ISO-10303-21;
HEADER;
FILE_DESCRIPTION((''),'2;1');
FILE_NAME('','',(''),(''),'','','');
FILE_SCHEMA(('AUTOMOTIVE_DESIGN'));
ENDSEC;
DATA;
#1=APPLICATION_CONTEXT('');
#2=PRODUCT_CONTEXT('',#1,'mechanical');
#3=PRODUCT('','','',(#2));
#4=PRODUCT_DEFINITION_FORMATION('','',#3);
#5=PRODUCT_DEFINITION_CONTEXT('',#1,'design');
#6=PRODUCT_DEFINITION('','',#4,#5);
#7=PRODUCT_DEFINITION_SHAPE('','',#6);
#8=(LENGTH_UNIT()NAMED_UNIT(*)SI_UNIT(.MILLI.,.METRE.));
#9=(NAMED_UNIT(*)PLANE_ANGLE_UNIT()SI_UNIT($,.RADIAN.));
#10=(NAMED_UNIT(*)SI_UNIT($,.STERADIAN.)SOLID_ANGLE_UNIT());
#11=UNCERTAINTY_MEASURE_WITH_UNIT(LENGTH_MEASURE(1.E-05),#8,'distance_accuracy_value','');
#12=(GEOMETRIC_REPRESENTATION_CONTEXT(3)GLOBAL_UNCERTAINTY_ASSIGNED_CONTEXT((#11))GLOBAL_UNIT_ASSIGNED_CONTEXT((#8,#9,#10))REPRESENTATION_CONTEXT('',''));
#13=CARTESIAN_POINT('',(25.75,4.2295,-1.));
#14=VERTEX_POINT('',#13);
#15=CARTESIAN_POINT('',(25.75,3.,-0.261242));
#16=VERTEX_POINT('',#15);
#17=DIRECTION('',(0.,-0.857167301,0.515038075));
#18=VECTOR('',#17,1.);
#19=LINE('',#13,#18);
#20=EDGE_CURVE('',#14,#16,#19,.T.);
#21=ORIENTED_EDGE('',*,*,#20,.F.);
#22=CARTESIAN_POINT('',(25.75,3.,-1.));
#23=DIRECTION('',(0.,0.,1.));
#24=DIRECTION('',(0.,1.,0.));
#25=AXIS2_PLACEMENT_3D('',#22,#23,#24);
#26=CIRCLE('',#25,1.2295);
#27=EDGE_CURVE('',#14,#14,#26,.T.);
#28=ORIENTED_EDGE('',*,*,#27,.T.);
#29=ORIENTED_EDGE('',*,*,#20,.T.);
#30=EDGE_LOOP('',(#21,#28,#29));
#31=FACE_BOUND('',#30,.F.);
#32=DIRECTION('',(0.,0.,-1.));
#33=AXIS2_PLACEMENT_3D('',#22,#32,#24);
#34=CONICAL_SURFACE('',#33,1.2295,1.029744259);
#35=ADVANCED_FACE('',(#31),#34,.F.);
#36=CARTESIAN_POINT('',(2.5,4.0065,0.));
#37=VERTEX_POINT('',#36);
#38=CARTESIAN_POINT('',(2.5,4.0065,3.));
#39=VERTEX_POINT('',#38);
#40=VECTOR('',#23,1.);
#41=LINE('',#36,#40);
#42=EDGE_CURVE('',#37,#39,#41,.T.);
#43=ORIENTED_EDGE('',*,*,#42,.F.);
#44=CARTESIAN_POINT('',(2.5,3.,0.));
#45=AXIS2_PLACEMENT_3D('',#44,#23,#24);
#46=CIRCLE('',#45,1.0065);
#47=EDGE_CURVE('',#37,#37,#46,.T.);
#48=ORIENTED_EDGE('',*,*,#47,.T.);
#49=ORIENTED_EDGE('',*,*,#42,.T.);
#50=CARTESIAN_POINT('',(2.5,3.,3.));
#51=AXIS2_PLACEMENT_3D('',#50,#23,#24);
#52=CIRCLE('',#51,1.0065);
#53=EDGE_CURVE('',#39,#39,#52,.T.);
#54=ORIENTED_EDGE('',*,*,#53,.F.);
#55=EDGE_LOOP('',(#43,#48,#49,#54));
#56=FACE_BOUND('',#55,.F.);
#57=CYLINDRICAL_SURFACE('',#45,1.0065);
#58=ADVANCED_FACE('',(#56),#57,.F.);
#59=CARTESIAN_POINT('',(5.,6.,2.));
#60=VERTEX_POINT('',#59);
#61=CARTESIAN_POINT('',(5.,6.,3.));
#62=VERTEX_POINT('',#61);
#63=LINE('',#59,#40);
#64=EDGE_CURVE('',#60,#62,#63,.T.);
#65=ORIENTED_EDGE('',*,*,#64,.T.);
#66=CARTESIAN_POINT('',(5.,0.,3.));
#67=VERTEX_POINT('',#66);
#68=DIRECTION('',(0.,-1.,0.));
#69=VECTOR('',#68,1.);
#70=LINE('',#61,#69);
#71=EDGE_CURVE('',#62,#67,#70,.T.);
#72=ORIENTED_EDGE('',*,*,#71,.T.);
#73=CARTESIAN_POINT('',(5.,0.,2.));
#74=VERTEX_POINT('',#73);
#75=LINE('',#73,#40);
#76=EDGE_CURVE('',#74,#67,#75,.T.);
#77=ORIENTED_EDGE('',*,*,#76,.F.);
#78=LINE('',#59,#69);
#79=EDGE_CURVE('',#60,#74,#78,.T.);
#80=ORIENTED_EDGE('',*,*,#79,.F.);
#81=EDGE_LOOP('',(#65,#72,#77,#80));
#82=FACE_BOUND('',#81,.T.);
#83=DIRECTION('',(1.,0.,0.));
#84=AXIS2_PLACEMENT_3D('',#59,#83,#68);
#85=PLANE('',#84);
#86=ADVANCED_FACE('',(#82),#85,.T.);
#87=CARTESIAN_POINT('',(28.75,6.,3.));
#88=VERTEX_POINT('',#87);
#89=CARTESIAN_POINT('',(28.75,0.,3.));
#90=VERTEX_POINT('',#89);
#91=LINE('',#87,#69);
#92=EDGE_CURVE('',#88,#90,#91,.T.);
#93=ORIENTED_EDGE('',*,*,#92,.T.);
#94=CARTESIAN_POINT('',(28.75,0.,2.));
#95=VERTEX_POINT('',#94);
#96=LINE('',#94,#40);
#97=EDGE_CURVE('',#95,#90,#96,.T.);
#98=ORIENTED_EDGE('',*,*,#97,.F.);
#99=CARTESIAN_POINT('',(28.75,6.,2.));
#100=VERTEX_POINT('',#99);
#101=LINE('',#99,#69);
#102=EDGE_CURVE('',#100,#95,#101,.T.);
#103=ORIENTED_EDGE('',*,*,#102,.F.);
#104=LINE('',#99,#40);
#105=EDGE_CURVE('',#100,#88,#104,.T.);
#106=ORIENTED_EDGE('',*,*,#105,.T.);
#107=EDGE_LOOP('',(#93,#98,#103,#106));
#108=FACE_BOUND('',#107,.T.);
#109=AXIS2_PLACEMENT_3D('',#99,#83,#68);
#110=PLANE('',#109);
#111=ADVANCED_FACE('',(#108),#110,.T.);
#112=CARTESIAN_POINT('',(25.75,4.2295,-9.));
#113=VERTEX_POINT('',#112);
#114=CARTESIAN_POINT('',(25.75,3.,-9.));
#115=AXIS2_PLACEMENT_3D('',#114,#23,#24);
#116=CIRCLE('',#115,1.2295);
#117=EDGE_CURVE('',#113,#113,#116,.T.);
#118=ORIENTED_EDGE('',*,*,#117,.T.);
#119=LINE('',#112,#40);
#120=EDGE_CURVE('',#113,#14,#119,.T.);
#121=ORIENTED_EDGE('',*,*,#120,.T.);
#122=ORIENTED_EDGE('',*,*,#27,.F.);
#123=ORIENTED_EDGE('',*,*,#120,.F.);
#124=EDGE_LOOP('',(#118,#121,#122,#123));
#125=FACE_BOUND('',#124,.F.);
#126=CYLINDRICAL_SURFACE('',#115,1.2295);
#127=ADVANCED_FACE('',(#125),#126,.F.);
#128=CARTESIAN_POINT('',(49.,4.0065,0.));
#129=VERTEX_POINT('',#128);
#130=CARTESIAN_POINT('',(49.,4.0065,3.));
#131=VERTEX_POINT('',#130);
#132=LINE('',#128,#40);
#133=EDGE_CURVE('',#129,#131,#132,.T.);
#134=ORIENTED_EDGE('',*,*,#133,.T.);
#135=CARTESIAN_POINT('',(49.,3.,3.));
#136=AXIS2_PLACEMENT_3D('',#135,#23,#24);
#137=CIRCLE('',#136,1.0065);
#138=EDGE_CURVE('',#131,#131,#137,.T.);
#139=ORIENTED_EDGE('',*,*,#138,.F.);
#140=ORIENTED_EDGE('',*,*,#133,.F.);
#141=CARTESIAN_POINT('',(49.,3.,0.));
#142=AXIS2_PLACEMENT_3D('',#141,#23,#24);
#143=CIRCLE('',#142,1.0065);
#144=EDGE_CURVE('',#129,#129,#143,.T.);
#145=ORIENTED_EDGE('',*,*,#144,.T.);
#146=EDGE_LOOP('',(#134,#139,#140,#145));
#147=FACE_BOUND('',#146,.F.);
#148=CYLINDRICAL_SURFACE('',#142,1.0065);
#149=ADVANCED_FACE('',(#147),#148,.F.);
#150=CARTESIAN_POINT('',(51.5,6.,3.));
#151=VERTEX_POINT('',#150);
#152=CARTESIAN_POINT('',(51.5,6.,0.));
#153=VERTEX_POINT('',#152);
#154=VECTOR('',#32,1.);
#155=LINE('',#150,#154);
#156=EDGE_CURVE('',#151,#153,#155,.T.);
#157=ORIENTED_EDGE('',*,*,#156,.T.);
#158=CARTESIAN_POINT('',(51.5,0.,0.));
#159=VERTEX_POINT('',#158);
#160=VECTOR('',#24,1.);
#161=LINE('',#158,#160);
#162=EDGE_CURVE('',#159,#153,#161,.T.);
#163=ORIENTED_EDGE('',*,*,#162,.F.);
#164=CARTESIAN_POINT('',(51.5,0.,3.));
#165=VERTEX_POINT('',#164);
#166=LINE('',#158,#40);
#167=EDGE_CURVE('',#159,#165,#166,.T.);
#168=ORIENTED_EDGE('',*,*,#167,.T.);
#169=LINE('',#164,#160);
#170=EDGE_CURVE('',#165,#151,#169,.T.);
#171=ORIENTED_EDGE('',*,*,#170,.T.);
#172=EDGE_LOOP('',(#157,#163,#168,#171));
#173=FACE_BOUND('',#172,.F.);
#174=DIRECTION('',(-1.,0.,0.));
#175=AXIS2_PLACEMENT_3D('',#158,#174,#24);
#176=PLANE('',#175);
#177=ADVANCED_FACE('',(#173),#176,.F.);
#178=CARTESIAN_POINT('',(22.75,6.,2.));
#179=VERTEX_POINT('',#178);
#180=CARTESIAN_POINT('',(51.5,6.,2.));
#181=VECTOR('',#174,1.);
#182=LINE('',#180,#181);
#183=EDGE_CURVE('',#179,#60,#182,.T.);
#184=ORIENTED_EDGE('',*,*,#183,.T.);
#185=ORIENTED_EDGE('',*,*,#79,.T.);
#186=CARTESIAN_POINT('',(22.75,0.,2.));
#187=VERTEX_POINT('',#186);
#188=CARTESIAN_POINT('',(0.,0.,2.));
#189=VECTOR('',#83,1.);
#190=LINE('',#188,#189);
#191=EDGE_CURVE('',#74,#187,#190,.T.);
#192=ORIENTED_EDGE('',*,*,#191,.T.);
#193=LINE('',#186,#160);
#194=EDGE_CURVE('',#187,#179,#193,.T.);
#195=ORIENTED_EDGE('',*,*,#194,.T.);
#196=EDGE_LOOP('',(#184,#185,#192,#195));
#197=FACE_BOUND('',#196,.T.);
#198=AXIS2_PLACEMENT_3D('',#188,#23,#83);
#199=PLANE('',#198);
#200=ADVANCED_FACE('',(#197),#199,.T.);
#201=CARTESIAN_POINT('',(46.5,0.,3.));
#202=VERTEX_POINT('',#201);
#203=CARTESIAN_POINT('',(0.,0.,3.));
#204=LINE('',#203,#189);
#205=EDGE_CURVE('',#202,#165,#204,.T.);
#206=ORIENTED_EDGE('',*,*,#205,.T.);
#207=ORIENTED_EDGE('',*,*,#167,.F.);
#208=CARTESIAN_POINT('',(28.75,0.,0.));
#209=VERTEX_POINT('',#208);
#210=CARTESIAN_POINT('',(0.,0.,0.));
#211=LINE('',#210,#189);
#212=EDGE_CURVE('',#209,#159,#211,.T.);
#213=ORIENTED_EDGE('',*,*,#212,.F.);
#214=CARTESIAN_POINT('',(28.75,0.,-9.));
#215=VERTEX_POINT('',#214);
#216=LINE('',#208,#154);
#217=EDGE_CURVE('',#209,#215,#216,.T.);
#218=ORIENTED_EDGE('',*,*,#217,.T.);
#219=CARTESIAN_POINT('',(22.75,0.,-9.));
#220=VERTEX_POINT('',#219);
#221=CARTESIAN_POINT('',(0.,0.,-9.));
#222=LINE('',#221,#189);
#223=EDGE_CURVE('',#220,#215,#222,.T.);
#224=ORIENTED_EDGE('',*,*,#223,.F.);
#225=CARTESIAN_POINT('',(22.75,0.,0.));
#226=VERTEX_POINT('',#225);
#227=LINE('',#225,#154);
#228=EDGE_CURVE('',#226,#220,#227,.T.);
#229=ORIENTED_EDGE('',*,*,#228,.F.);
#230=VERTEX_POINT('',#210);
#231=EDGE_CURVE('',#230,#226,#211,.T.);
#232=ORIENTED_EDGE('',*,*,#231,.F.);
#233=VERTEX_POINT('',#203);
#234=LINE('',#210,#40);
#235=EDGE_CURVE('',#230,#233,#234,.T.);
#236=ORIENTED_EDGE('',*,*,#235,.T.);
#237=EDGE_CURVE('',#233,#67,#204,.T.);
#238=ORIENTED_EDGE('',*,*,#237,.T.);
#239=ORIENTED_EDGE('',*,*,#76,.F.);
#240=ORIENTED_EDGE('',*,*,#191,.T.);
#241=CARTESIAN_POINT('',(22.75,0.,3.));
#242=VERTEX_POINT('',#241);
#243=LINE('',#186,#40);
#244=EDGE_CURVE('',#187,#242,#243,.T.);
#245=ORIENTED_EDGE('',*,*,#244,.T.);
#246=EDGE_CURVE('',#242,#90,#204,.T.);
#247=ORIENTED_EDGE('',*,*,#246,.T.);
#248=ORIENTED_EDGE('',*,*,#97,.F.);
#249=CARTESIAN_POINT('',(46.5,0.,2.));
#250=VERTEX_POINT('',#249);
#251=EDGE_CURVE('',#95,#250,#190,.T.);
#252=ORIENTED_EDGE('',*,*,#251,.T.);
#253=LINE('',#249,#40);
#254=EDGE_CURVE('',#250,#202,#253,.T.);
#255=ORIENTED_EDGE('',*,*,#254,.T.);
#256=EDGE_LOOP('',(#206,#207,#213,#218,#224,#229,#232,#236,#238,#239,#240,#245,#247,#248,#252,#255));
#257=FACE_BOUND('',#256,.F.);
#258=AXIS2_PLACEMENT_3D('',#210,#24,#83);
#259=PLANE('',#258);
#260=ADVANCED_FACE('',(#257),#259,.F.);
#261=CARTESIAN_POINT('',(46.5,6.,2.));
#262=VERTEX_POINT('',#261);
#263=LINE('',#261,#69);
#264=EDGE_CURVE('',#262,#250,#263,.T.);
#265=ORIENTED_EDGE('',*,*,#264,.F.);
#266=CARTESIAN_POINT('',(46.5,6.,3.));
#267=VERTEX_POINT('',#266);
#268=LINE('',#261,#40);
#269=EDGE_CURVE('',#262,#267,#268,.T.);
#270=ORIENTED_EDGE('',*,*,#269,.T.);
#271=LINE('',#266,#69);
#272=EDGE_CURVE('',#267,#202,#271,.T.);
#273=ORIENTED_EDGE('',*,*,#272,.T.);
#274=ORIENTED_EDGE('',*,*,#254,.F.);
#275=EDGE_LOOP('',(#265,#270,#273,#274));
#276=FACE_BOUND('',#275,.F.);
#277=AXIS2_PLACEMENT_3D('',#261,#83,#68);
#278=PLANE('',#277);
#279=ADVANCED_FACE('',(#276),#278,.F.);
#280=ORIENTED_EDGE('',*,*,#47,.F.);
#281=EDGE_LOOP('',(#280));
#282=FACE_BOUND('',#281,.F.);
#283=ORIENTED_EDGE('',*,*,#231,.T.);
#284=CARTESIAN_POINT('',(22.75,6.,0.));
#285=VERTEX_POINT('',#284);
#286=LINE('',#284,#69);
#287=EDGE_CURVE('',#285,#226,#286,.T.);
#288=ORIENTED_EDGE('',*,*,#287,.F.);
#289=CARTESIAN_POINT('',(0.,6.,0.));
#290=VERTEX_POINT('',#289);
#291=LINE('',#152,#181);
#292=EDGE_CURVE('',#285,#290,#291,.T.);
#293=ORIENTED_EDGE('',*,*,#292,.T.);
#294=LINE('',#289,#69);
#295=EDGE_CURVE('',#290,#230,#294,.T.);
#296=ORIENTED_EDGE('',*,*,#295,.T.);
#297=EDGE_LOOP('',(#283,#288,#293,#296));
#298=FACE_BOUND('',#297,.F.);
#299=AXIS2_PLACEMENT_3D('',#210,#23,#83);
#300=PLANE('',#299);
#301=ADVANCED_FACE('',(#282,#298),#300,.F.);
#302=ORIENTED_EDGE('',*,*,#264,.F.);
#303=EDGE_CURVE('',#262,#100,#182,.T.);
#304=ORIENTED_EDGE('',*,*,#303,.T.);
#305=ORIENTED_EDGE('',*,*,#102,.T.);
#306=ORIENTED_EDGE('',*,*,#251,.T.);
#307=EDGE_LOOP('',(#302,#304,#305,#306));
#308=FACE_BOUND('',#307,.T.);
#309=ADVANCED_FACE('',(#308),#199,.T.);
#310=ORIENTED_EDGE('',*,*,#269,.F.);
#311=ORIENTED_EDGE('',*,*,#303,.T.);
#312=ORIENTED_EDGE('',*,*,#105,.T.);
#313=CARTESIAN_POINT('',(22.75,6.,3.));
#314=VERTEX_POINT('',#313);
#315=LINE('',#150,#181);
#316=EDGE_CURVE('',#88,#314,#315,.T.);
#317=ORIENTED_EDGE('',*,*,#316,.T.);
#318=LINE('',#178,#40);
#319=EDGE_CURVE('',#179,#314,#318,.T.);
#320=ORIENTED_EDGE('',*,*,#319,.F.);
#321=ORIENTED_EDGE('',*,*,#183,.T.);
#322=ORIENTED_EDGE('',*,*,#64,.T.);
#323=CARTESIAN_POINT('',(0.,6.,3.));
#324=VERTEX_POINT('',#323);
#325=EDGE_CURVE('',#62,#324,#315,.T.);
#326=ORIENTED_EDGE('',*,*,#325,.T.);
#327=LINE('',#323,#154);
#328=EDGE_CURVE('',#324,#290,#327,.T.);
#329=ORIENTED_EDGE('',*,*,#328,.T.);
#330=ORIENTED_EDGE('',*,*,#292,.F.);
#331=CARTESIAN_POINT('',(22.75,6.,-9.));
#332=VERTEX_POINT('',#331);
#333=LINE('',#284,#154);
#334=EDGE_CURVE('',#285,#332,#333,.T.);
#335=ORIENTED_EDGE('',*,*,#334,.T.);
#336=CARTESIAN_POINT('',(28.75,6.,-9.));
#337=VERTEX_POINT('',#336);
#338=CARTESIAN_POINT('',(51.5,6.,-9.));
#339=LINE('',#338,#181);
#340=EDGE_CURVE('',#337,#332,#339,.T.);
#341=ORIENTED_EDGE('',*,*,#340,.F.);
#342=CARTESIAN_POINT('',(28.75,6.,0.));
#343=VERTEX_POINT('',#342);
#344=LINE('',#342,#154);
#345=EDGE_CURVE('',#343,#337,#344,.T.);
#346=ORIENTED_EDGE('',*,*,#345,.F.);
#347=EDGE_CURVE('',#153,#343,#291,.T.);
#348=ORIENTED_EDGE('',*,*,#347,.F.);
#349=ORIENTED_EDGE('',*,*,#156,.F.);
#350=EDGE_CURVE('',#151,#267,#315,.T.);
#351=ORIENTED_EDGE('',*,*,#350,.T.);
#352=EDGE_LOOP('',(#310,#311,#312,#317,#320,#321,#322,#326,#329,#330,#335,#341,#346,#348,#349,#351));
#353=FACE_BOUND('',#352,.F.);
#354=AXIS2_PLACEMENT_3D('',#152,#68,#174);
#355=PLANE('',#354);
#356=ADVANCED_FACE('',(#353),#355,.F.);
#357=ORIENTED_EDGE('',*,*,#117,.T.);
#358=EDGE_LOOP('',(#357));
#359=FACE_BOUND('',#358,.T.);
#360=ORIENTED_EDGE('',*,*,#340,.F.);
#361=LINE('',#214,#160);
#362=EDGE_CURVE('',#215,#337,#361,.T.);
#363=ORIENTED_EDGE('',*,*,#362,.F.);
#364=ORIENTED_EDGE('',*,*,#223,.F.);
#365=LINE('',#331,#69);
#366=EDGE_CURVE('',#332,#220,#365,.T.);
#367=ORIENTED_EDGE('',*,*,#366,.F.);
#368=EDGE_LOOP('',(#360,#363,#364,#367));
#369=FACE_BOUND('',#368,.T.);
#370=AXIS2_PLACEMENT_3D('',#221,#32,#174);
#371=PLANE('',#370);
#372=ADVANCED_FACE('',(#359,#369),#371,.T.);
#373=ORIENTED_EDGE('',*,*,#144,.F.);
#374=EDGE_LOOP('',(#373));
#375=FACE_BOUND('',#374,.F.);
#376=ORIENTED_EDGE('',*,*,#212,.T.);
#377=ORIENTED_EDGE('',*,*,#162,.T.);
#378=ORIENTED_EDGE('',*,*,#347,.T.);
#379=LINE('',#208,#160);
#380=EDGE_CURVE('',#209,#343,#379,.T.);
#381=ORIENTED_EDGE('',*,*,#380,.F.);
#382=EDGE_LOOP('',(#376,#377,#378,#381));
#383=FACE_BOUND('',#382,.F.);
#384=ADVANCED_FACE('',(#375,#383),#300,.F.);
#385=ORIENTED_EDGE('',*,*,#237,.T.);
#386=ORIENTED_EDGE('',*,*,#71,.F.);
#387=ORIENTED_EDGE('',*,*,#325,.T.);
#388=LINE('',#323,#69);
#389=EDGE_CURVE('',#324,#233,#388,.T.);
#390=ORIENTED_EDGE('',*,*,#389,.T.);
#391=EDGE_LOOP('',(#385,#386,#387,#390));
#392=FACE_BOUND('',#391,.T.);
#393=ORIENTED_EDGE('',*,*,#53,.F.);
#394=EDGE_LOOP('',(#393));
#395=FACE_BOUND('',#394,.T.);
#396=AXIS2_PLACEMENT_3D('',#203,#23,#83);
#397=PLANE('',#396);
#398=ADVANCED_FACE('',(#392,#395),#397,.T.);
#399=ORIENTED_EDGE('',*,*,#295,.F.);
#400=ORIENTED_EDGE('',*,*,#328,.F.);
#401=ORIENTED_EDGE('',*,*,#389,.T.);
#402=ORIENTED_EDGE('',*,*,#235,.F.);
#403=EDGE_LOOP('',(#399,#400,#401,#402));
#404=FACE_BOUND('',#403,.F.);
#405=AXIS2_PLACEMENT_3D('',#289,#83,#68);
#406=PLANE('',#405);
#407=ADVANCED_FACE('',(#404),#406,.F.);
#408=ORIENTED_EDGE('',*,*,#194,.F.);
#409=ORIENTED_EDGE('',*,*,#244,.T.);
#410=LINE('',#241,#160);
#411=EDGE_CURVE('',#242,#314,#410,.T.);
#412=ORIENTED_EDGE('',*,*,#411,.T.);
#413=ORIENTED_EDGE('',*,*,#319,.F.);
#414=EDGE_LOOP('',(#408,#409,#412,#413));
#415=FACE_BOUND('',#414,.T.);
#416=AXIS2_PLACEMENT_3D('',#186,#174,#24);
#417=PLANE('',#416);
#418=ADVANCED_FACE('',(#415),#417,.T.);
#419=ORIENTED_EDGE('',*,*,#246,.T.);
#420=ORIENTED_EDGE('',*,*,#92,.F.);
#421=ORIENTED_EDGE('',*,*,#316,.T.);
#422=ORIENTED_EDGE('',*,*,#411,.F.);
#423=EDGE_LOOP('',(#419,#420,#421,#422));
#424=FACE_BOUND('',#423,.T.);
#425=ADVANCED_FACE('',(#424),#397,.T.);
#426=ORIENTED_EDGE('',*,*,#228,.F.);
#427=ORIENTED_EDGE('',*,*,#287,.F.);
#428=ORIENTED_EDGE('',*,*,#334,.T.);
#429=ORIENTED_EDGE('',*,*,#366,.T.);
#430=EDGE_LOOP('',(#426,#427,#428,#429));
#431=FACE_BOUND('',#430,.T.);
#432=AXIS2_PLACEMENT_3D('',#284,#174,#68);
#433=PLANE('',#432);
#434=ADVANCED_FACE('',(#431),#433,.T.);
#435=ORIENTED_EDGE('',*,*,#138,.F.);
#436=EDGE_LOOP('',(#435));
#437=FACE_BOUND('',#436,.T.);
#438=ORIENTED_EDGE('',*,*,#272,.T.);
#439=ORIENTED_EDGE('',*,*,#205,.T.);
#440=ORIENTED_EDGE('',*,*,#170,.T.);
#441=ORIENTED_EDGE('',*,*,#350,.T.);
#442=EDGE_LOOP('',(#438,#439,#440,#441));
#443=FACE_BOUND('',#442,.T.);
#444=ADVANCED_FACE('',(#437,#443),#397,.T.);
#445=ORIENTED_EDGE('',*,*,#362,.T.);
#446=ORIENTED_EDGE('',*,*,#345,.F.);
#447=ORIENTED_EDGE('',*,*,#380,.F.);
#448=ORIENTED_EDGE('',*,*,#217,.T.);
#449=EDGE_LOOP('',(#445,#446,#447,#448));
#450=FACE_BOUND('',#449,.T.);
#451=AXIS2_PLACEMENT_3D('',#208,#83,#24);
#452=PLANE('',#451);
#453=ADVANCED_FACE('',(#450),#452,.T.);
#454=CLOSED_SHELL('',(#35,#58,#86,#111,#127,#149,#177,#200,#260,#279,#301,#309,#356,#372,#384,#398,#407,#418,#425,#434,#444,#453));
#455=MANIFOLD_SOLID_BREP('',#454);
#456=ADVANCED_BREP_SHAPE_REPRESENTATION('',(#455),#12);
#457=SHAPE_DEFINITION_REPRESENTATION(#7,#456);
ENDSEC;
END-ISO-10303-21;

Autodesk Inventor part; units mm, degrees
ref_plane "YZ Plane" through (0, 0, 0) normal (1, 0, 0) x (0, 1, 0)
ref_plane "XZ Plane" through (0, 0, 0) normal (0, 1, 0) x (-1, 0, 0)
ref_plane "XY Plane" through (0, 0, 0) normal (0, 0, 1) x (1, 0, 0)
sketch "Sketch1" plane through (0, 0, 0) normal (0, 0, 1) x (1, 0, 0)
  line L0 (0, 0) -> (51.5, 0)
  line L1 (51.5, 0) -> (51.5, 6)
  line L2 (51.5, 6) -> (0, 6)
  line L3 (0, 6) -> (0, 0)
  dimension "d0" = 6
  dimension "d1" = 51.5
extrude "Extrusion1" add sketch "Sketch1" along normal blind 2
sketch "Sketch2" plane through (0, 0, 2) normal (0, 0, 1) x (1, 0, 0)
  line L0 (0, 0) -> (51.5, 0) projected
  line L1 (51.5, 0) -> (51.5, 6) projected
  line L2 (51.5, 6) -> (0, 6) projected
  line L3 (0, 6) -> (0, 0) projected
  line L4 (0, 6) -> (5, 6)
  line L5 (5, 6) -> (5, 0)
  line L6 (5, 0) -> (0, 0)
  line L7 (0, 0) -> (0, 6)
  line L8 (22.75, 6) -> (28.75, 6)
  line L9 (28.75, 6) -> (28.75, 0)
  line L10 (28.75, 0) -> (22.75, 0)
  line L11 (22.75, 0) -> (22.75, 6)
  line L12 (51.5, 6) -> (46.5, 6)
  line L13 (46.5, 6) -> (46.5, 0)
  line L14 (46.5, 0) -> (51.5, 0)
  line L15 (51.5, 0) -> (51.5, 6)
  dimension "d4" = 5
  dimension "d5" = 5
  dimension "d7" = 17.75
  dimension "d8" = 17.75
  dimension "d41" = 6
extrude "Extrusion2" add sketch "Sketch2" along normal blind 1 contours L3 L2 L5 L0 | L11 L2 L9 L0 | L13 L2 L1 L0
sketch "Sketch5" plane through (0, 0, 0) normal (0, 0, -1) x (-1, 0, 0)
  line L0 (0, 0) -> (-51.5, 0) projected
  line L1 (0, 6) -> (0, 0) projected
  line L2 (-51.5, 6) -> (0, 6) projected
  line L3 (-51.5, 0) -> (-51.5, 6) projected
  line L4 (-25.75, 6) -> (-25.75, 0) construction
  line L5 (-51.5, 3) -> (0, 3) construction
  line L6 (-28.75, 6) -> (-22.75, 6)
  line L7 (-22.75, 6) -> (-22.75, 0)
  line L8 (-22.75, 0) -> (-28.75, 0)
  line L9 (-28.75, 0) -> (-28.75, 6)
  line L10 (-28.75, 6) -> (-22.75, 0) construction
  line L11 (-22.75, 6) -> (-28.75, 0) construction
  point P0 (-25.75, 3)
  dimension "d19" = 6
extrude "Extrusion3" add sketch "Sketch5" along normal blind 9 contours L0 L9 L2 L7
sketch "Sketch6" plane through (0, 0, -9) normal (0, 0, -1) x (-1, 0, 0)
  line L0 (-22.75, 0) -> (-22.75, 6) projected
  line L1 (-22.75, 6) -> (-28.75, 6) projected
  line L2 (-28.75, 6) -> (-28.75, 0) projected
  line L3 (-28.75, 0) -> (-22.75, 0) projected
  line L4 (-28.75, 3) -> (-22.75, 3) construction
  line L5 (-25.75, 6) -> (-25.75, 0) construction
  point P0 (0, 0)
  point P1 (-25.75, 3)
hole "Hole2" at (25.75, 3, -9) direction (0, 0, 1) diameter 2.459 depth 8 tip angle 118 thread size "M3x0.5" class "6H" standard "ISO Metric profile"
sketch "Sketch7" plane through (0, 0, 0) normal (0, 0, -1) x (-1, 0, 0)
  line L0 (0, 6) -> (0, 0) projected
  line L1 (0, 0) -> (-22.75, 0) projected
  line L2 (0, 6) -> (0, 0) projected
  line L3 (-51.5, 0) -> (-51.5, 6) projected
  line L4 (-51.5, 6) -> (-28.75, 6) projected
  line L5 (-51.5, 3) -> (0, 3) construction
  line L6 (-22.75, 6) -> (-22.75, 0) projected
  line L7 (-28.75, 6) -> (-22.75, 6) projected
  line L8 (-28.75, 0) -> (-28.75, 6) projected
  line L9 (-28.75, 0) -> (-51.5, 0) projected
  line L10 (-22.75, 6) -> (0, 6) projected
  line L11 (-22.75, 0) -> (-28.75, 0) projected
  point P0 (-49, 3)
  point P1 (-2.5, 3)
  dimension "d31" = 2.5
  dimension "d32" = 2.5
hole "Hole3" at (49, 3, 0) at (2.5, 3, 0) direction (0, 0, 1) diameter 2.013 depth 3 tip angle 118 thread size "M2.5x0.45" class "6H" standard "ISO Metric profile"
properties part number "top_conductor" material "Copper, Alloy"
